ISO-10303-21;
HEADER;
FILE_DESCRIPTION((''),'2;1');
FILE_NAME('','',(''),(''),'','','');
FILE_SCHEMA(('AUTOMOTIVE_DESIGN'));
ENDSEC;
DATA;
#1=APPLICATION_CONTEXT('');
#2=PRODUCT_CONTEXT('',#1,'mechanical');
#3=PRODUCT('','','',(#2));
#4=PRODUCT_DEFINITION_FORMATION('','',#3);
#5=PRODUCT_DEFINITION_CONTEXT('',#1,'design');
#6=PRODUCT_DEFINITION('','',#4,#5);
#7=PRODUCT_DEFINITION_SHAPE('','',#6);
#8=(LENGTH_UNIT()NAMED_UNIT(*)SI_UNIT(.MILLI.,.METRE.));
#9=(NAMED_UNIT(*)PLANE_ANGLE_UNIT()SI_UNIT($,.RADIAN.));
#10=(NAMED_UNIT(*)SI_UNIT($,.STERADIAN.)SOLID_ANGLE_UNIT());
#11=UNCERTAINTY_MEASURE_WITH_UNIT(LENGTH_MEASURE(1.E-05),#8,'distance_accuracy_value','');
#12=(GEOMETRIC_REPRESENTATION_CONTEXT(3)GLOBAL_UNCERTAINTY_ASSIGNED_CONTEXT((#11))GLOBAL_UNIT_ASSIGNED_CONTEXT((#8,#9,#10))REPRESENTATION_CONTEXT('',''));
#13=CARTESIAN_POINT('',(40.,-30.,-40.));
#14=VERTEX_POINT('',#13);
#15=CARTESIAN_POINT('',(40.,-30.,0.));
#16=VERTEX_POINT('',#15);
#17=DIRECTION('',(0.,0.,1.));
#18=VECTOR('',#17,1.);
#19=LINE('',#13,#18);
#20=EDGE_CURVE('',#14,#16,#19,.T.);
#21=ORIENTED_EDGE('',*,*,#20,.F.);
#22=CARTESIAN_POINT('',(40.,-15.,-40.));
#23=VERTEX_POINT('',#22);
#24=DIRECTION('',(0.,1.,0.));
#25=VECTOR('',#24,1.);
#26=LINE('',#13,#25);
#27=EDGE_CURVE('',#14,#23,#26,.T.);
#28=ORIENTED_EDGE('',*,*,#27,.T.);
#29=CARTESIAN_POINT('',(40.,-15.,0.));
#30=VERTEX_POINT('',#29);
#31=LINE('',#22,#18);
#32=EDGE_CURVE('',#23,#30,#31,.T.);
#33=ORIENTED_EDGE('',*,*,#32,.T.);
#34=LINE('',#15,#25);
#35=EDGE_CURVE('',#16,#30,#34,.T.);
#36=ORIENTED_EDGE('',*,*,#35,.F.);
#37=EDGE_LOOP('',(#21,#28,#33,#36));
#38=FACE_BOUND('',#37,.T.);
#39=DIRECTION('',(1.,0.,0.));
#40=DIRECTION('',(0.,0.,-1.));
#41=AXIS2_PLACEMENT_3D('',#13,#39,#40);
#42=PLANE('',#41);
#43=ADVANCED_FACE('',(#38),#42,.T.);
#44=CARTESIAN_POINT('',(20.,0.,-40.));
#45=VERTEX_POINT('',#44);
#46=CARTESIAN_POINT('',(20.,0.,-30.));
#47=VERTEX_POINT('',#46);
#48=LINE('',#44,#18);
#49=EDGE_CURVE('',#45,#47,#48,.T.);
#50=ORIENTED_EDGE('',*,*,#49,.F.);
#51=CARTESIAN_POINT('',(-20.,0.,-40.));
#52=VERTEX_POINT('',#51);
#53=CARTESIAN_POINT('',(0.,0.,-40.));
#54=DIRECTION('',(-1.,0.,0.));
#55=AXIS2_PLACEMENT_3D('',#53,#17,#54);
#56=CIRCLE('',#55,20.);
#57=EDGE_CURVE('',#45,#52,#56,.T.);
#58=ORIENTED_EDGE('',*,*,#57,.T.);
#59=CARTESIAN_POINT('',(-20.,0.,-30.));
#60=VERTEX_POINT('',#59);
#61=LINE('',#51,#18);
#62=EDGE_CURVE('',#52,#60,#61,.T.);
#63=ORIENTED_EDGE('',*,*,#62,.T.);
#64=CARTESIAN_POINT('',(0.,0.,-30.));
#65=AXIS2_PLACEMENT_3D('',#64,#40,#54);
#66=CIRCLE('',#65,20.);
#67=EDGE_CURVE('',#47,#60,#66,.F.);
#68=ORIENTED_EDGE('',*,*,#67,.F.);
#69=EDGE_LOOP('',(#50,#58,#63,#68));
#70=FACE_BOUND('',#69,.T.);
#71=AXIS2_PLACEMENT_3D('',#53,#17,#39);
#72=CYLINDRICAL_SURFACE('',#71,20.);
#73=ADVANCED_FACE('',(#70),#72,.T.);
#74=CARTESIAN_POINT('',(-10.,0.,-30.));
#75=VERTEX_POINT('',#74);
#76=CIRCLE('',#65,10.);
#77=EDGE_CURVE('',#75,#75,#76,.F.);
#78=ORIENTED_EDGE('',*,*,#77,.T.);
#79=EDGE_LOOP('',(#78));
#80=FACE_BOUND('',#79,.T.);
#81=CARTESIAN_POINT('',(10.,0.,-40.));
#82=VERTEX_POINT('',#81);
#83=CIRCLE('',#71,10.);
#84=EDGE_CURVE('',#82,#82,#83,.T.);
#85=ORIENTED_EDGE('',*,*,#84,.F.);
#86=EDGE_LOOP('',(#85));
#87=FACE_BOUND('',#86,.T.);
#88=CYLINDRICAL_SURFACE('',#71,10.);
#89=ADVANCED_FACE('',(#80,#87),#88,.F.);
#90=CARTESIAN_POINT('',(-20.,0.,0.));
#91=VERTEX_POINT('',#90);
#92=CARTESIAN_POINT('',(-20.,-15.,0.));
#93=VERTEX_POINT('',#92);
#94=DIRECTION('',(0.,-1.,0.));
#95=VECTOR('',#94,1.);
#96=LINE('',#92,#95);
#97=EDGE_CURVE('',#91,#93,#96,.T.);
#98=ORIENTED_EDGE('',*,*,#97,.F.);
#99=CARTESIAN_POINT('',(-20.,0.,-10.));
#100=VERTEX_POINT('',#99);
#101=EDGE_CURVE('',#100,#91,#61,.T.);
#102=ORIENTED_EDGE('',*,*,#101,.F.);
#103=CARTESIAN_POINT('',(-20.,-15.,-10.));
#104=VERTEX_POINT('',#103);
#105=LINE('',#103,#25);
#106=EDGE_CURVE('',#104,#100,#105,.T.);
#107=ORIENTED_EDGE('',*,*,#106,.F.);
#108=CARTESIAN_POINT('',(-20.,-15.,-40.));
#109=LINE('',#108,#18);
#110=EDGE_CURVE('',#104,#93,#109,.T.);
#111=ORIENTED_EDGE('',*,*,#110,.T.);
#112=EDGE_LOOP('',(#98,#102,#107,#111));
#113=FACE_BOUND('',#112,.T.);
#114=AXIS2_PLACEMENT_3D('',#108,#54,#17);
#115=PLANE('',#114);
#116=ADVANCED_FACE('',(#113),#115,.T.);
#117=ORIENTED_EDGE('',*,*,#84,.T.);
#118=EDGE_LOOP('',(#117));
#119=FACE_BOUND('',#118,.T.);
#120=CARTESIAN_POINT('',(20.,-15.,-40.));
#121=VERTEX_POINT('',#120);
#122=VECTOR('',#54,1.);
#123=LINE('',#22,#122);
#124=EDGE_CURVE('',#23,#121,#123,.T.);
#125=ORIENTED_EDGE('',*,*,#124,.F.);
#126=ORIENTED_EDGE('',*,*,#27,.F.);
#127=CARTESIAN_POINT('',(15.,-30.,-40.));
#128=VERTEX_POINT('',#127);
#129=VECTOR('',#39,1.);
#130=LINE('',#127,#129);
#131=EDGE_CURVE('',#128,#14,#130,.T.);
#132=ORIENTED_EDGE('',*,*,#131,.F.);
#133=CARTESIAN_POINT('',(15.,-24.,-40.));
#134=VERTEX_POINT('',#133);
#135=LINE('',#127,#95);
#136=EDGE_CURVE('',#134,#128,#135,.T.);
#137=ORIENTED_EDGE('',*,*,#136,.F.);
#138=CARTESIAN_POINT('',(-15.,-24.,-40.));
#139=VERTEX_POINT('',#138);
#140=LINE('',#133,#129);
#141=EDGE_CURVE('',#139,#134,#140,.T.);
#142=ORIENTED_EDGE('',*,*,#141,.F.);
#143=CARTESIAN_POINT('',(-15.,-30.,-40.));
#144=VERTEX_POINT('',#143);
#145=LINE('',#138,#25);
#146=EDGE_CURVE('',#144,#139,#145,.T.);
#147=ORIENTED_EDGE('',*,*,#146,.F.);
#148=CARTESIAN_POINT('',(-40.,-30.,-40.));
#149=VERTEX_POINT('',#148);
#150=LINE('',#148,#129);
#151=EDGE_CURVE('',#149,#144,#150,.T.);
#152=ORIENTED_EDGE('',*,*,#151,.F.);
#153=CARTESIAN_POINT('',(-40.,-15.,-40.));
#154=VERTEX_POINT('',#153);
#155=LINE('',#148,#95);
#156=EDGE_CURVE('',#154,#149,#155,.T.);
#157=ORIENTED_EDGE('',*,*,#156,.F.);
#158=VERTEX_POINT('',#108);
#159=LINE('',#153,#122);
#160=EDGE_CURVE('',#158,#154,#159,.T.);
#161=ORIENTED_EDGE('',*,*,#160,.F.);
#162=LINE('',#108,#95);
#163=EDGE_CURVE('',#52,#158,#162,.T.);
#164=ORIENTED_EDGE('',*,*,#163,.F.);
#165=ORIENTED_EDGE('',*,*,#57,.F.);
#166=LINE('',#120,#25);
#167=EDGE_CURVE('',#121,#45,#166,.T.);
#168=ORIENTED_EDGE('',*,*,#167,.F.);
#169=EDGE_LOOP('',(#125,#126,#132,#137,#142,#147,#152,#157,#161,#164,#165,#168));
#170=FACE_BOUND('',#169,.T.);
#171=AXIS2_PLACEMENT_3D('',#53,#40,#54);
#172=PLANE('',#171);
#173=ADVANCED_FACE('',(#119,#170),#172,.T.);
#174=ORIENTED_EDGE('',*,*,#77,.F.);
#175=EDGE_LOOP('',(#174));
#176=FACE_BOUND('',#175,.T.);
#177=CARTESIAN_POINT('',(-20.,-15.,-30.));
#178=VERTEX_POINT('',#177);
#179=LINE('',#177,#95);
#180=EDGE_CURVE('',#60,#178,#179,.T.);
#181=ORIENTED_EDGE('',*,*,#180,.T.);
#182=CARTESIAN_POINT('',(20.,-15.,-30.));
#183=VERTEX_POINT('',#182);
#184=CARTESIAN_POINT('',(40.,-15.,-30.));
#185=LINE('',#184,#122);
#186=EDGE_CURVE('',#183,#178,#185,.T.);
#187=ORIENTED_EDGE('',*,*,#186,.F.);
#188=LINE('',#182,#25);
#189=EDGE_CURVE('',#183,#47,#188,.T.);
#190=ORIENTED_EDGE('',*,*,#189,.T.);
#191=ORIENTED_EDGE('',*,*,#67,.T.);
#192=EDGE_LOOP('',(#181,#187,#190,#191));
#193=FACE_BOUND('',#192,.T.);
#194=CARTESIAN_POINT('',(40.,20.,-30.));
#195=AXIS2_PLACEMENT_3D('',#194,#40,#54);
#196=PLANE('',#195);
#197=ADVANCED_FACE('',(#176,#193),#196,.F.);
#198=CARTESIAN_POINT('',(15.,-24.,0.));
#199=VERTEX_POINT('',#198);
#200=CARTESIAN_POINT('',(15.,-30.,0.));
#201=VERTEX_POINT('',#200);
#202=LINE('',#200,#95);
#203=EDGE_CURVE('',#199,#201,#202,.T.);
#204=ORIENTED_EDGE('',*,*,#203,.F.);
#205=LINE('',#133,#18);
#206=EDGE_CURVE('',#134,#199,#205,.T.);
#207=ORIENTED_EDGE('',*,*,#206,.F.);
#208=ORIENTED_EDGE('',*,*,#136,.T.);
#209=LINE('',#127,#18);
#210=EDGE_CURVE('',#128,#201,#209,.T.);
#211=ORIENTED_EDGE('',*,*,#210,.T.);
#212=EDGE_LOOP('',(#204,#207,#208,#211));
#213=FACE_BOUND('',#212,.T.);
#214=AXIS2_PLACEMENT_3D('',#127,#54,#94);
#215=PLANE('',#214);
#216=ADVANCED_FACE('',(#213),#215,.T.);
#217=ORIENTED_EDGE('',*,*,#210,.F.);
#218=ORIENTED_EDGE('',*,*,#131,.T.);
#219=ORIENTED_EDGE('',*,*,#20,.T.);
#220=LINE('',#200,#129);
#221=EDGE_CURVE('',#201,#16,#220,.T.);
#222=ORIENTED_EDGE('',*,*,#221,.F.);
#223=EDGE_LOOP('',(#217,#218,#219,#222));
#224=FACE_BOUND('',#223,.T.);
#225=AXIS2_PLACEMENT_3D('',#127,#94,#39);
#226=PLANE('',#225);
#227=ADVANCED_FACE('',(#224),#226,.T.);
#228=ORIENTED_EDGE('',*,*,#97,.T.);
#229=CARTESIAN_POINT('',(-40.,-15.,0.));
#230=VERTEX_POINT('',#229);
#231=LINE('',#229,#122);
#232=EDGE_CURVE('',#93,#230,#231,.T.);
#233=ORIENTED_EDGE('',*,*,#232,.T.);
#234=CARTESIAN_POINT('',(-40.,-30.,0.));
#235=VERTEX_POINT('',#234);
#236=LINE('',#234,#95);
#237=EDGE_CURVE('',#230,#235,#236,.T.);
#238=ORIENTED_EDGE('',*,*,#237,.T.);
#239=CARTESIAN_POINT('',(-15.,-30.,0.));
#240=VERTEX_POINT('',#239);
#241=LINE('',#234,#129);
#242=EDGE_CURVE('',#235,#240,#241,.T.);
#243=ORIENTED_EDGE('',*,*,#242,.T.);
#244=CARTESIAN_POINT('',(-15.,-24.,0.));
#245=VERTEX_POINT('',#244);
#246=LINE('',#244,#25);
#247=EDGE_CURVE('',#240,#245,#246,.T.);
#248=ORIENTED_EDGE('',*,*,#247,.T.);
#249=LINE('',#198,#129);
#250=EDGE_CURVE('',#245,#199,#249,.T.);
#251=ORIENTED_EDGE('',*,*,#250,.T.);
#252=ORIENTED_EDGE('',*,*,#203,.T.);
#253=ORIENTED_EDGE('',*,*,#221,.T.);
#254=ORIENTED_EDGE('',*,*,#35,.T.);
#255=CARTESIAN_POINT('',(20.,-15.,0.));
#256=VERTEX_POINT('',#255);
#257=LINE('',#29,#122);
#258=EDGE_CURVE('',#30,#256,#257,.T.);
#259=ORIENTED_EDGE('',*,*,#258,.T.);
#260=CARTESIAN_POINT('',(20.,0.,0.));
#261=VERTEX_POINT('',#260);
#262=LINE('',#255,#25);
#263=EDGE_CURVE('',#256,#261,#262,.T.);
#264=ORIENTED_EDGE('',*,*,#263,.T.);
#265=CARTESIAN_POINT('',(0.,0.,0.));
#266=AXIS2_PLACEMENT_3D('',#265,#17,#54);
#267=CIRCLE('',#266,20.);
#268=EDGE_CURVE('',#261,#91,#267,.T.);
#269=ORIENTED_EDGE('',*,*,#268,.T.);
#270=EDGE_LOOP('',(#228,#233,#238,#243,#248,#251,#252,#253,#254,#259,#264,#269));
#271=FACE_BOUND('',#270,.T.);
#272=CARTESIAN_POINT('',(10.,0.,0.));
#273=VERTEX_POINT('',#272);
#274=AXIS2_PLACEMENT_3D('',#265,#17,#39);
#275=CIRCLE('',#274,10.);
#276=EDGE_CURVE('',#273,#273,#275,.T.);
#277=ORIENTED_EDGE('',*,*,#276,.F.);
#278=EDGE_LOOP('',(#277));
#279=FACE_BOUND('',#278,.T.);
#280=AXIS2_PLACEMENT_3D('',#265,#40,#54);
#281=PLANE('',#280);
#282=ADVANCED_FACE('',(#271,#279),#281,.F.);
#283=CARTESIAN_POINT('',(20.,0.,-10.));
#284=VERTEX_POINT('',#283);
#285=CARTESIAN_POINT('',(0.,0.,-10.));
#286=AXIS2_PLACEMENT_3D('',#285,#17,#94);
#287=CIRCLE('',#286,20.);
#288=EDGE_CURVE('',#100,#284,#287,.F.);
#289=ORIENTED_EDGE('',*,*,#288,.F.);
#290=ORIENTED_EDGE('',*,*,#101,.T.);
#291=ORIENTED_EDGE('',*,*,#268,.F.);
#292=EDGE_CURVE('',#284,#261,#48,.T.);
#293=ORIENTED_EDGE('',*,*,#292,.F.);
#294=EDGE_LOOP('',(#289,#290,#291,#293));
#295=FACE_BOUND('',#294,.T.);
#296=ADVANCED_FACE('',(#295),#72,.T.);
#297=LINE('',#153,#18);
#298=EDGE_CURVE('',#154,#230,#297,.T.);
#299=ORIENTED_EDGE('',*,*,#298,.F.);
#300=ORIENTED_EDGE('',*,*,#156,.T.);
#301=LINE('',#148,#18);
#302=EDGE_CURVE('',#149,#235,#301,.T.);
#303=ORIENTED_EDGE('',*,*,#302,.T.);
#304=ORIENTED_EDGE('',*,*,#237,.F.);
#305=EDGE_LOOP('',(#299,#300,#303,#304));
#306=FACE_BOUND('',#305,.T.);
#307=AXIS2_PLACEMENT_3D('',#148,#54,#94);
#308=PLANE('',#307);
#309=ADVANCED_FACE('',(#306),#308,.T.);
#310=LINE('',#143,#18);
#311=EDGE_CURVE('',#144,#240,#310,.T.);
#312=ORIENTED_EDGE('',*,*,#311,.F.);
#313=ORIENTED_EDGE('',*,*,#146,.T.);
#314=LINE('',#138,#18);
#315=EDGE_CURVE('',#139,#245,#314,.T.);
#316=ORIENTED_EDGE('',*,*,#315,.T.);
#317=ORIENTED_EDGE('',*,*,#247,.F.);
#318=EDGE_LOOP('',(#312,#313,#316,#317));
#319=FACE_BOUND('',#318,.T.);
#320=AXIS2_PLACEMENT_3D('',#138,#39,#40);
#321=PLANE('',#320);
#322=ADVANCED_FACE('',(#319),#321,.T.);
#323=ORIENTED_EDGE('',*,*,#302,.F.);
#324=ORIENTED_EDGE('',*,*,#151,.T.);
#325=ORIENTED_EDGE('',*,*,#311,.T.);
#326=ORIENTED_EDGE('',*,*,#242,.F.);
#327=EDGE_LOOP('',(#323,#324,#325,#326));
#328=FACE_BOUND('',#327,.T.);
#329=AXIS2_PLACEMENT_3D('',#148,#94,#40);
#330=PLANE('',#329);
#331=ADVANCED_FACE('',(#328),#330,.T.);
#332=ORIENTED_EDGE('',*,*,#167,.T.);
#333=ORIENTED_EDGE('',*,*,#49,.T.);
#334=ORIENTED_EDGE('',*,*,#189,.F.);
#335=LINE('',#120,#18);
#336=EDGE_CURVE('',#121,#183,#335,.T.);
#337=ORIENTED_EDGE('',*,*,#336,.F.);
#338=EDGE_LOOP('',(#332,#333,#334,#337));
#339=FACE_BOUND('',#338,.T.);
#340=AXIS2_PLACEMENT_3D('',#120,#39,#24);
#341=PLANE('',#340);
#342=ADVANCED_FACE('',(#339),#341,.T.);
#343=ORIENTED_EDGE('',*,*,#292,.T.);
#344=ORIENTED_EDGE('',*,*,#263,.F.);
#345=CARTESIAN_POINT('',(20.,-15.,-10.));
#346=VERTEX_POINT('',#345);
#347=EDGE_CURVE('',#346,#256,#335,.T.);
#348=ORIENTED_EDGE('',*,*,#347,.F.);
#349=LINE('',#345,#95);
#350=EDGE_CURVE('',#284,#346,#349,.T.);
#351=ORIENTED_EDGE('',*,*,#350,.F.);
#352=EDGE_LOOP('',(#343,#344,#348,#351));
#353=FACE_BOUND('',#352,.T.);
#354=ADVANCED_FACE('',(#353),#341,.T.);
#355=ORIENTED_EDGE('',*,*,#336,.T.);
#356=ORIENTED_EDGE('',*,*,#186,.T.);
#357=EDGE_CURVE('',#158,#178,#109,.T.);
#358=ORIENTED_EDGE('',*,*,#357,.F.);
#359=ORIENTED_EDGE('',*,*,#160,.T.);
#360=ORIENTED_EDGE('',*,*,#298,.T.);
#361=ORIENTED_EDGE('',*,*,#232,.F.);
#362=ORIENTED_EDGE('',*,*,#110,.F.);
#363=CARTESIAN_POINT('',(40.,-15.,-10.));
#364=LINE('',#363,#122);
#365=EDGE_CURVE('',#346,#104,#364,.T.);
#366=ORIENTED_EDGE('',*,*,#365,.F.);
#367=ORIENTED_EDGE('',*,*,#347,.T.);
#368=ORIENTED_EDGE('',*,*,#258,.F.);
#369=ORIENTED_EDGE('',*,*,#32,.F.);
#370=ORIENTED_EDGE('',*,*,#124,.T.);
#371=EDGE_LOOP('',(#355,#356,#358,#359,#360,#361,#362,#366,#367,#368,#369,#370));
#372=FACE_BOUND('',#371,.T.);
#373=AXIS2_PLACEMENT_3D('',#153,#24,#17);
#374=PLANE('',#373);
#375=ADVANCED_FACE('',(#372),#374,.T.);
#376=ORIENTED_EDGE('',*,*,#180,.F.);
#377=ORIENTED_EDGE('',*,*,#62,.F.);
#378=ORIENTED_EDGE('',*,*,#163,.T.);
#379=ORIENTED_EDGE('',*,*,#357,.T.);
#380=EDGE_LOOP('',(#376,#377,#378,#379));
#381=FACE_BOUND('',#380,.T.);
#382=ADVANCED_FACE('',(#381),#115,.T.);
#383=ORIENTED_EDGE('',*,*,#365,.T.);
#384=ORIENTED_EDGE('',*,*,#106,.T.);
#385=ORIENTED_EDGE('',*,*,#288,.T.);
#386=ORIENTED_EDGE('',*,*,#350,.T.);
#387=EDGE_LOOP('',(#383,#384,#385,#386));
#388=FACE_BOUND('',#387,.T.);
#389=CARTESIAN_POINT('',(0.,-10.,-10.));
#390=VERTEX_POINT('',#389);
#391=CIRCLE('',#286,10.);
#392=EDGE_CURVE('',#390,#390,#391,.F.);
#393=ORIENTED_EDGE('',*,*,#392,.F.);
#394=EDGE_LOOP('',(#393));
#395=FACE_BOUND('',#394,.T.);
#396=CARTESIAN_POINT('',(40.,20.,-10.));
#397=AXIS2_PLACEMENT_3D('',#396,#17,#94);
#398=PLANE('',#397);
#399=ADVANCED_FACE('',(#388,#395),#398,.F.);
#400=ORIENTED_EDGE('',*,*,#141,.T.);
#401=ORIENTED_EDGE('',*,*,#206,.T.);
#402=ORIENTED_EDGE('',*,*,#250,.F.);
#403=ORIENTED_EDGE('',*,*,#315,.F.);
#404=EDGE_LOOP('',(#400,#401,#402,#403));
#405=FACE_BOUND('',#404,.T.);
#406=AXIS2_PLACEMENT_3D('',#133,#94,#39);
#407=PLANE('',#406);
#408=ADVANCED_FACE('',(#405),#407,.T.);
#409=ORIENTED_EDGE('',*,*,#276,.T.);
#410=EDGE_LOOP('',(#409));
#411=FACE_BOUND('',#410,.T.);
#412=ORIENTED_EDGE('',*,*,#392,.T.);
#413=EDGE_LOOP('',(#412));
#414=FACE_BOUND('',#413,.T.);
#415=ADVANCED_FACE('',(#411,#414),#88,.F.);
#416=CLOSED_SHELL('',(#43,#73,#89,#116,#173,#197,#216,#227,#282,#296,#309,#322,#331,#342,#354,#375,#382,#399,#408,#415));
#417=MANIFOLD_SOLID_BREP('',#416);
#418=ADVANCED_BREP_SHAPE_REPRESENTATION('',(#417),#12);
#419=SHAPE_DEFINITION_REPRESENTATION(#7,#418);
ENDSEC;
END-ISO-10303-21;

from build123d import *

# Parameters (mm, degrees)
ESBO_O1_R                  = 10
RESSALTO_EXTRUS_O1_DEPTH   = 40
CORTE_EXTRUS_O1_DEPTH      = 79.102496759
CORTE_EXTRUS_O1_DEPTH_BACK = 79.102496759
ESBO_O2_W                  = 20
ESBO_O2_H                  = 35


with BuildPart() as part:
    # Esboço1 → Ressalto-extrusão1 (new body)
    with BuildSketch(Plane.XY):
        with BuildLine():
            Line((15, -30), (15, -24))
            Line((15, -24), (-15, -24))
            Line((-15, -24), (-15, -30))
            Line((-15, -30), (-40, -30))
            Line((-40, -30), (-40, -15))
            Line((-40, -15), (-20, -15))
            Line((-20, -15), (-20, 0))
            ThreePointArc((-20, 0), (0, 20), (20, 0))
            Line((20, 0), (20, -15))
            Line((20, -15), (40, -15))
            Line((40, -15), (40, -30))
            Line((40, -30), (15, -30))
        make_face()
        Circle(ESBO_O1_R, mode=Mode.SUBTRACT)
    extrude(amount=-RESSALTO_EXTRUS_O1_DEPTH)

    # Esboço2 → Corte-extrusão1 (cut, two sides: drawn at the far end of the back side and taken through both)
    with BuildSketch(Plane.ZY.offset(20).offset(-CORTE_EXTRUS_O1_DEPTH_BACK)):
        with Locations((-20, 2.5)):
            Rectangle(ESBO_O2_W, ESBO_O2_H)
    extrude(amount=CORTE_EXTRUS_O1_DEPTH + CORTE_EXTRUS_O1_DEPTH_BACK, mode=Mode.SUBTRACT)


solid = part.part
